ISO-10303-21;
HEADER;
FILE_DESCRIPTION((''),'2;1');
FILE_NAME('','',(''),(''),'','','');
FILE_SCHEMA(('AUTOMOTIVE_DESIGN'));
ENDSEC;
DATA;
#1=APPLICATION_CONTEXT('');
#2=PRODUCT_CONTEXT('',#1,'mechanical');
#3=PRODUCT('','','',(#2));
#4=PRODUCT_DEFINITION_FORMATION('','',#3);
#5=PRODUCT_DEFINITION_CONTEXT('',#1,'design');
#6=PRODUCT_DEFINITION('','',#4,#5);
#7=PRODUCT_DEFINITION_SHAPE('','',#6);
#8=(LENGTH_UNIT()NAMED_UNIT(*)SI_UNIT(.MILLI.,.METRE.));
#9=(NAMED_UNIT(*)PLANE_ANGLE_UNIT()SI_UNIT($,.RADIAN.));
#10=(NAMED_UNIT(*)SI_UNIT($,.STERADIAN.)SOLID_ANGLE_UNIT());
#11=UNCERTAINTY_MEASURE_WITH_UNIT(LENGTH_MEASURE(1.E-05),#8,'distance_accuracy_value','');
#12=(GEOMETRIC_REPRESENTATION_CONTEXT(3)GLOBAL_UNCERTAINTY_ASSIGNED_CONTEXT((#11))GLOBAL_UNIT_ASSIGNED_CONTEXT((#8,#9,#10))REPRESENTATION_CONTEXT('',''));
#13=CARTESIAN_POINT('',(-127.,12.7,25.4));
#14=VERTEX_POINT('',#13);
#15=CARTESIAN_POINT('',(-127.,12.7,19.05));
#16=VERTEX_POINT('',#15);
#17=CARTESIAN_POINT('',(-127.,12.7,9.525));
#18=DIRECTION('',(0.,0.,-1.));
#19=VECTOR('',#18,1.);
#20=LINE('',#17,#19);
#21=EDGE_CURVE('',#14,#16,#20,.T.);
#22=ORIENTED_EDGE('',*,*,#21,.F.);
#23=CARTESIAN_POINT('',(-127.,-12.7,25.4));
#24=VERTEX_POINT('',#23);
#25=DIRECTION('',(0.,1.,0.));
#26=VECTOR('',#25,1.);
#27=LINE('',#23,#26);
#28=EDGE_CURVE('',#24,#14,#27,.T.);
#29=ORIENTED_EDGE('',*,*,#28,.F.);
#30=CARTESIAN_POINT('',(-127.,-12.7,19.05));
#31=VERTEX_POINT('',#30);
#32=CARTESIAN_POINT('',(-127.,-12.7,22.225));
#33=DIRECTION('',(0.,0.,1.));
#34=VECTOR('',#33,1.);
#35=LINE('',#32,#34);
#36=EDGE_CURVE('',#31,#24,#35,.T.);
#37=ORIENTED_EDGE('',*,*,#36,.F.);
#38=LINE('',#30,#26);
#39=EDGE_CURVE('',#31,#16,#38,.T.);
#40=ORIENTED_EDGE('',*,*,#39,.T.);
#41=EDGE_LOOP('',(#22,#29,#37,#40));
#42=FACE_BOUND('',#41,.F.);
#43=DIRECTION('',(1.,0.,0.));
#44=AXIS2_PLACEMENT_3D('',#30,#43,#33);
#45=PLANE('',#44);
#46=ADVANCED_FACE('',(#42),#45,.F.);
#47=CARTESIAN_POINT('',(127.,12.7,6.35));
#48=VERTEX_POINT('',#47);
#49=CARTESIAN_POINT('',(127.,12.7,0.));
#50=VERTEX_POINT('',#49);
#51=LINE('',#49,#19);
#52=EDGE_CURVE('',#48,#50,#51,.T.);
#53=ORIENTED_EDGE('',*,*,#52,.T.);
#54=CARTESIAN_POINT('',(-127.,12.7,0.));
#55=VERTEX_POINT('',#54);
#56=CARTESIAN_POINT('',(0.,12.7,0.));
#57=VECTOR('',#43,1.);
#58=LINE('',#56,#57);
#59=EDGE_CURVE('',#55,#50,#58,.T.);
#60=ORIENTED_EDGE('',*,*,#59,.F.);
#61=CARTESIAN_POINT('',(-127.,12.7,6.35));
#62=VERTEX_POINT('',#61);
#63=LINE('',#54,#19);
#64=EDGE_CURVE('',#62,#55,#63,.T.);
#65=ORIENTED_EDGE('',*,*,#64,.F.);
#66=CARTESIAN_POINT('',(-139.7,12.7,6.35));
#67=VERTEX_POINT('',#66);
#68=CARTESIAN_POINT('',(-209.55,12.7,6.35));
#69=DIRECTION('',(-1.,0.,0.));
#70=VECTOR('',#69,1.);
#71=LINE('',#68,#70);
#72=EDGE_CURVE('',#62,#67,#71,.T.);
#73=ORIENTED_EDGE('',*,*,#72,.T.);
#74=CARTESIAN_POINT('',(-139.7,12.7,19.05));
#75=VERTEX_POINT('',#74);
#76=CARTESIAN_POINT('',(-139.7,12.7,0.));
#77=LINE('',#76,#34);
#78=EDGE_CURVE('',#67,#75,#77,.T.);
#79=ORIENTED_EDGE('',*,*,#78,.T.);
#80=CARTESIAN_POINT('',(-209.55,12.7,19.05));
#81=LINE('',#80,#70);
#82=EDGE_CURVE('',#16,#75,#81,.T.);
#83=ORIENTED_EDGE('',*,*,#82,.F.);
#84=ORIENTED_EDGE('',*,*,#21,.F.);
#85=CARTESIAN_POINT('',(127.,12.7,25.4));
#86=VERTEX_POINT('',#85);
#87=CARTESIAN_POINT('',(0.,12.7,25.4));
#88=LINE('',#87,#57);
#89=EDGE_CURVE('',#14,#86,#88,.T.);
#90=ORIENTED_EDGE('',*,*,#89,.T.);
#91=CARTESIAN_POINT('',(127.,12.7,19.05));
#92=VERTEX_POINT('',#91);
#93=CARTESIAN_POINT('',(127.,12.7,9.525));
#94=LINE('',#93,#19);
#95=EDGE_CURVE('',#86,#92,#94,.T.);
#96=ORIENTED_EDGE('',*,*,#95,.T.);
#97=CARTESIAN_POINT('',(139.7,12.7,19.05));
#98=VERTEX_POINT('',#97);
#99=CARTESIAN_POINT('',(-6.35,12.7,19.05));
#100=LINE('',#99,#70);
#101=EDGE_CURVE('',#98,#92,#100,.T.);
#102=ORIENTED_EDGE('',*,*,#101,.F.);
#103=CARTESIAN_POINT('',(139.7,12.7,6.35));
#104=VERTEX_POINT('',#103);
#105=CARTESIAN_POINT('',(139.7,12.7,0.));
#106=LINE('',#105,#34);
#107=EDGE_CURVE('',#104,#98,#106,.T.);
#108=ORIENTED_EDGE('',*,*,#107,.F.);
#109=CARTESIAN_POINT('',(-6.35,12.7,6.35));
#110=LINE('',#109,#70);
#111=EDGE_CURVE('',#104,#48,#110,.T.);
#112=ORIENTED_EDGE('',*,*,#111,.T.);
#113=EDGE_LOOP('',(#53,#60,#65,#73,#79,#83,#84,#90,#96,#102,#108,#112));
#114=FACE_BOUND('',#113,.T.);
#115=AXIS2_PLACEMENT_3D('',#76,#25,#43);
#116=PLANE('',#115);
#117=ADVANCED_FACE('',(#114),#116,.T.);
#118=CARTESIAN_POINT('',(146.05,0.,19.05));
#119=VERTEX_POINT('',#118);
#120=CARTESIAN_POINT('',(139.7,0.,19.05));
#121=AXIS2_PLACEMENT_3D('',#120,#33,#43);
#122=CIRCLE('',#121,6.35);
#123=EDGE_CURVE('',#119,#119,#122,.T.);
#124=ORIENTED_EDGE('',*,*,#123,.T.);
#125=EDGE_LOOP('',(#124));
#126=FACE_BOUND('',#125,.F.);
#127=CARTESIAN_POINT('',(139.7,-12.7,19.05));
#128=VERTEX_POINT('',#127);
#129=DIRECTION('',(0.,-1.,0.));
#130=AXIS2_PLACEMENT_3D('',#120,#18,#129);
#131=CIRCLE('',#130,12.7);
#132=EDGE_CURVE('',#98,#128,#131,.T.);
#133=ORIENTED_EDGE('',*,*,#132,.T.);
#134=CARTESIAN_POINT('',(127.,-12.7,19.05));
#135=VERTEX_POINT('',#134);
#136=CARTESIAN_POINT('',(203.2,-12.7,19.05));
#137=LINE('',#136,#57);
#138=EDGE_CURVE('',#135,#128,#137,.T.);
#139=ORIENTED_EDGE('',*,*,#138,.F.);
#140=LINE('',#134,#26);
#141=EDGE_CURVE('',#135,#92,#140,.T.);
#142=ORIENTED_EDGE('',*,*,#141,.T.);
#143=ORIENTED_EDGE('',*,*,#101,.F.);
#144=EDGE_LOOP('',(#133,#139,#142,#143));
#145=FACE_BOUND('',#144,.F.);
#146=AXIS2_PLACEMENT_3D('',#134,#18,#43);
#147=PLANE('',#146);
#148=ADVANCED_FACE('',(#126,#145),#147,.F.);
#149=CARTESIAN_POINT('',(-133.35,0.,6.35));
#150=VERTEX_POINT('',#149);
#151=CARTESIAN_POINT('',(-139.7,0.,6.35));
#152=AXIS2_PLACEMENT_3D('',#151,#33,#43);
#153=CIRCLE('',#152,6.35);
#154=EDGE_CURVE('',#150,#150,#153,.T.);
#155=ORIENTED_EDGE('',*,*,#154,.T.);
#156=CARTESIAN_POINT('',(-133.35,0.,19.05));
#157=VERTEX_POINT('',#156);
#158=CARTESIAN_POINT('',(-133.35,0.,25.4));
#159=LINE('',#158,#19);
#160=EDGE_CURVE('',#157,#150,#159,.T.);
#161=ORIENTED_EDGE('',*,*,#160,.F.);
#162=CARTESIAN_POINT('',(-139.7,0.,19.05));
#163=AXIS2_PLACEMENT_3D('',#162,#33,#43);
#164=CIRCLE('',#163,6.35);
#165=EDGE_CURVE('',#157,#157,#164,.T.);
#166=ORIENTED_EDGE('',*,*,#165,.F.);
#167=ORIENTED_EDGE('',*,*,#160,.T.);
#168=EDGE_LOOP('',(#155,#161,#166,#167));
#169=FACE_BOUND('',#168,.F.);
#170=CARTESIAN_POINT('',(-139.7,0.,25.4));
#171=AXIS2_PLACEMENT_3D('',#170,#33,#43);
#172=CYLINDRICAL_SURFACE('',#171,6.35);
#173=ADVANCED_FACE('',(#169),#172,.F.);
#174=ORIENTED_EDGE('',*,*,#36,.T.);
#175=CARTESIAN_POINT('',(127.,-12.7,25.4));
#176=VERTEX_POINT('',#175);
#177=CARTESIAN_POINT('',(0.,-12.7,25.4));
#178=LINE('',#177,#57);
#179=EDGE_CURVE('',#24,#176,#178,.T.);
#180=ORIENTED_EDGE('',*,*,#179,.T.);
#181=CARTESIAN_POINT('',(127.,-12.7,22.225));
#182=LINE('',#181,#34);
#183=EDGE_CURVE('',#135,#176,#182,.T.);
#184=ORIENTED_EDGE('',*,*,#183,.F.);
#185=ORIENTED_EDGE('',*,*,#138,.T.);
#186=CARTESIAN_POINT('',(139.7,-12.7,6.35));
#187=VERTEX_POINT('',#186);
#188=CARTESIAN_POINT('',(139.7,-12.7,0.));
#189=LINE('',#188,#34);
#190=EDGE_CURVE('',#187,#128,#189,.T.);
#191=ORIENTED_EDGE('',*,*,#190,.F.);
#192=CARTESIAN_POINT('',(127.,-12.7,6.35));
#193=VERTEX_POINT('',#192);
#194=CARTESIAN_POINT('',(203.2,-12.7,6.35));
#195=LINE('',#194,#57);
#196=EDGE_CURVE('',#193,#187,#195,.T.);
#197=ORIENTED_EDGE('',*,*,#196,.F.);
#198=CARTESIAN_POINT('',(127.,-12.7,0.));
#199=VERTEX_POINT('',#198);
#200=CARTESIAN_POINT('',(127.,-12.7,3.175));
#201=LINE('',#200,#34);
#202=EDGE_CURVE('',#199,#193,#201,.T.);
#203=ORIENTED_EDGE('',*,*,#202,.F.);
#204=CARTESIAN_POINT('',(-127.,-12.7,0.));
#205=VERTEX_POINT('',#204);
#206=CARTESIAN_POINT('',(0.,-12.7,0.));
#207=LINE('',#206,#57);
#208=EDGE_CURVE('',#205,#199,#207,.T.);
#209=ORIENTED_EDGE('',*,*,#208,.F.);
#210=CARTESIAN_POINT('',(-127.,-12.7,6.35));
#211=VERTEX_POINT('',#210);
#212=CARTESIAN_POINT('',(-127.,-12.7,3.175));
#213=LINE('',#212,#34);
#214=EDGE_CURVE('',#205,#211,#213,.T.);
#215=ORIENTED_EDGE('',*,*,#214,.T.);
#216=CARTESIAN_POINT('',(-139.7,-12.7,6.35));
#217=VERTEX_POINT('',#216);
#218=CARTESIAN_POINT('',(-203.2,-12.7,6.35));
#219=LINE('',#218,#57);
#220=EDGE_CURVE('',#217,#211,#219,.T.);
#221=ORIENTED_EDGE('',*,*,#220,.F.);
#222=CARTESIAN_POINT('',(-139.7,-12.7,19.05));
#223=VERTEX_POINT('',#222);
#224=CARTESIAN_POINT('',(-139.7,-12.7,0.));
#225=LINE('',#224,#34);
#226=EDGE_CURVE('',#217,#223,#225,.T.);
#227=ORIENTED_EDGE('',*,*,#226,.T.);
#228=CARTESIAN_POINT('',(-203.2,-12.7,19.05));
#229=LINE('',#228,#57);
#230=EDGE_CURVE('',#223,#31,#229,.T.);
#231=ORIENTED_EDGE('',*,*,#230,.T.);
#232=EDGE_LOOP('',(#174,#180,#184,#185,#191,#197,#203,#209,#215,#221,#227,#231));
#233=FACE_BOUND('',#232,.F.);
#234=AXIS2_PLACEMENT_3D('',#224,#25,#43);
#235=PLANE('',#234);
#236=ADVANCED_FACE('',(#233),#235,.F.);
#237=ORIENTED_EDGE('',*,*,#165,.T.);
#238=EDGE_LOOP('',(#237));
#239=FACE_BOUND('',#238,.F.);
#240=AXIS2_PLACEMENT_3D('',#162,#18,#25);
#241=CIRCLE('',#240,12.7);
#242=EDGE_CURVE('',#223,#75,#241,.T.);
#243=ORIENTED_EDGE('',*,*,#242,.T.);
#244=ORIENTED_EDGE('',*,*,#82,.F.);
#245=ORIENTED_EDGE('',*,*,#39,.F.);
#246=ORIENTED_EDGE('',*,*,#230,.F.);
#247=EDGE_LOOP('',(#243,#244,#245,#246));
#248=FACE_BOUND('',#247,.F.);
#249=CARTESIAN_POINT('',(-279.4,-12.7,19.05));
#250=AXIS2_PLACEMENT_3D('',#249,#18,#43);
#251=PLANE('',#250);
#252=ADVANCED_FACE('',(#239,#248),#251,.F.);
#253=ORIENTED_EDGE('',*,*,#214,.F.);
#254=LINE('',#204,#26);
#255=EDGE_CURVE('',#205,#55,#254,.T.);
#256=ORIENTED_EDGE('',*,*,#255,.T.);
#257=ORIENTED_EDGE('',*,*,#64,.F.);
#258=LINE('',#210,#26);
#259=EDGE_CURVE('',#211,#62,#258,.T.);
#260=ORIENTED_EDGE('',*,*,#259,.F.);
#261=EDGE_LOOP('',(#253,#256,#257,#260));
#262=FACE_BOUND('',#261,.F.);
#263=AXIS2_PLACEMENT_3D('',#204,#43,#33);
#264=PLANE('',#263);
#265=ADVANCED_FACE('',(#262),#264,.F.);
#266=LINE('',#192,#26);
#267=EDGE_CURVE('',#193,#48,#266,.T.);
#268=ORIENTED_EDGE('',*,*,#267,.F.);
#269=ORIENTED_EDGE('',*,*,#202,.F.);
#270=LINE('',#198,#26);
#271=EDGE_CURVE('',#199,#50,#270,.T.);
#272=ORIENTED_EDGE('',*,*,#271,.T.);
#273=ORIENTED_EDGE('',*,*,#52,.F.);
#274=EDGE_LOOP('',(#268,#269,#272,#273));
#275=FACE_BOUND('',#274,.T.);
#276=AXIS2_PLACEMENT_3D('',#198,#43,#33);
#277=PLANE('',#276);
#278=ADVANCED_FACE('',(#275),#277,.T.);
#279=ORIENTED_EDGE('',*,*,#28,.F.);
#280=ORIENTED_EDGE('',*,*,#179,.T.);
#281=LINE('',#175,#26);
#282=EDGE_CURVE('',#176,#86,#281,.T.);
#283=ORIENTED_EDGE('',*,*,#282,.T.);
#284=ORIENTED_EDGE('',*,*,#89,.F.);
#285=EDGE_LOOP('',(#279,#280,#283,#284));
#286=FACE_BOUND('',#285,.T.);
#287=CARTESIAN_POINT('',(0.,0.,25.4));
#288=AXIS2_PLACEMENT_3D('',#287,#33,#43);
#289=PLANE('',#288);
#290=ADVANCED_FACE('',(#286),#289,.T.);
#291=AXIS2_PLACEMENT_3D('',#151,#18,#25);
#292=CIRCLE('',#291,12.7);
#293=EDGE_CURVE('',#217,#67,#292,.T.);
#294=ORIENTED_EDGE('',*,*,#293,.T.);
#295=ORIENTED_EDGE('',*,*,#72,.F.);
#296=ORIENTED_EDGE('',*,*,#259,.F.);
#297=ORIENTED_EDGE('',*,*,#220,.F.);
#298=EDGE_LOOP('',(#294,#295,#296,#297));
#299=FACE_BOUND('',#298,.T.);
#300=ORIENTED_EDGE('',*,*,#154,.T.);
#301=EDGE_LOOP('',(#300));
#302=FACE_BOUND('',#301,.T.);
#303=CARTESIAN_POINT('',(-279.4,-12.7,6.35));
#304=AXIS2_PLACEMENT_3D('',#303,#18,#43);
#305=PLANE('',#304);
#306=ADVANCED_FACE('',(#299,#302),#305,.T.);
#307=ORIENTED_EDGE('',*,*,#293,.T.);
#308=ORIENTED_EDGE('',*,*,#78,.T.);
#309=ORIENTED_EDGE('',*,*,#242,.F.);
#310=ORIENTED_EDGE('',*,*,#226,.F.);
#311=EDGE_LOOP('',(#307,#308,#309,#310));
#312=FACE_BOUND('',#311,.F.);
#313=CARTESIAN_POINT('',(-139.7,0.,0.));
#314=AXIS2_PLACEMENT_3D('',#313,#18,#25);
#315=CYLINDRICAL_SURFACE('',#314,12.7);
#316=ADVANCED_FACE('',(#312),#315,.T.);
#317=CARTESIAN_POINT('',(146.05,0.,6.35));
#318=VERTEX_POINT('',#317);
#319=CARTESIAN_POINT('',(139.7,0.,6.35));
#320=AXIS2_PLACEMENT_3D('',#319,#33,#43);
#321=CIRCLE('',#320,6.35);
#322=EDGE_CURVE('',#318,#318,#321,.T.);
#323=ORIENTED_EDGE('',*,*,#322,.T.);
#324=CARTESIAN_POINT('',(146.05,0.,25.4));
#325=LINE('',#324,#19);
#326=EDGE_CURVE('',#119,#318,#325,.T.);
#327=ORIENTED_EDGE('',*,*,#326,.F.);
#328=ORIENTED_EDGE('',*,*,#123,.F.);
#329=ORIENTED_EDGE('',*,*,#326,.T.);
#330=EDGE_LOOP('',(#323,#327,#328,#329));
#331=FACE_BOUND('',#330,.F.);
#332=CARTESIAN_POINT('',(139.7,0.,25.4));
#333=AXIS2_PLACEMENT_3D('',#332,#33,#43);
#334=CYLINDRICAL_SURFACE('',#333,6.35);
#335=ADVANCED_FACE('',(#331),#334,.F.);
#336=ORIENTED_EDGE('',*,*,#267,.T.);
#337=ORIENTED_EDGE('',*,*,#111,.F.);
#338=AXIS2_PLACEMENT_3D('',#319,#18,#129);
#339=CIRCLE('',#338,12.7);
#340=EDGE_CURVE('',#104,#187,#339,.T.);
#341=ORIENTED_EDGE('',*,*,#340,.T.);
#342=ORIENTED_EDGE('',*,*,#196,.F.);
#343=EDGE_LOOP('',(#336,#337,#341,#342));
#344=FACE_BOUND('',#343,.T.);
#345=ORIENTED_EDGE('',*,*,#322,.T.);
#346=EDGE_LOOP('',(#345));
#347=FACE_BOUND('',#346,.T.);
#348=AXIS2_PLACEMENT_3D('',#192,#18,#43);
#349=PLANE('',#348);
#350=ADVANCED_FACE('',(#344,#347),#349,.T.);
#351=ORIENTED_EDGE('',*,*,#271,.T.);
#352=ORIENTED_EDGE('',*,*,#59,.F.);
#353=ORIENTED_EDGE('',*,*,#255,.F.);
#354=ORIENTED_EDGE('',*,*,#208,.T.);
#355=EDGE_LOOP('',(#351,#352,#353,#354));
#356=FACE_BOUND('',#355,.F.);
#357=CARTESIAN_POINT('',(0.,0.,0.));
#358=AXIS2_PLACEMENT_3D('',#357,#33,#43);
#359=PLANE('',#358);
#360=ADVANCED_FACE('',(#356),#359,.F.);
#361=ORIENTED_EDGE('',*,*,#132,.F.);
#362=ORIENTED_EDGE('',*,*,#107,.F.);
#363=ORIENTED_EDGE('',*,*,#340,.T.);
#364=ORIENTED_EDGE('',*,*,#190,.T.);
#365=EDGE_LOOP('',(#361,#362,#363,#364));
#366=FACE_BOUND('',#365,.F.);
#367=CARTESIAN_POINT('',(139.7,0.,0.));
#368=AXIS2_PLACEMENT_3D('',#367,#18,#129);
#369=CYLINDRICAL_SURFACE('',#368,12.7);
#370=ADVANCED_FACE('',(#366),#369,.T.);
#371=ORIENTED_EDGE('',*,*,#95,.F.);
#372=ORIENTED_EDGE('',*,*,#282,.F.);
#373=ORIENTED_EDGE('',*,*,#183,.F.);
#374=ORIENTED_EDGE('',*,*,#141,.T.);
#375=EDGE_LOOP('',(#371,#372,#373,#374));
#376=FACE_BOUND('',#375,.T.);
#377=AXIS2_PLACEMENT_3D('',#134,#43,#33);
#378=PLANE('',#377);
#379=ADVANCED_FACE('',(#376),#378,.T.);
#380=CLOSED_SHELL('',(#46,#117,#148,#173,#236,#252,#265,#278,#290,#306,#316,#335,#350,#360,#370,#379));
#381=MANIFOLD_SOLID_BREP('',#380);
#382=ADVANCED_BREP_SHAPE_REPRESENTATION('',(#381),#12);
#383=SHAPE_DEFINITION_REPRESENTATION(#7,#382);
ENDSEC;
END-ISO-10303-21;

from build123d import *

# Parameters (mm, degrees)
F0_W     = 279.4
F0_H     = 25.4
F1_DEPTH = 25.4
F2_R     = 6.35
F3_DEPTH = 25.4
F4_W     = 152.4
F4_H     = 6.35
F5_DEPTH = 25.401


with BuildPart() as f1:
    # F0 (on Top) → F1 (new body)
    with BuildSketch(Plane.XY):
        Rectangle(F0_W, F0_H)
        with BuildLine():
            Line((139.7, 12.7), (139.7, -12.7))
            ThreePointArc((139.7, -12.7), (152.4, 0), (139.7, 12.7))
        make_face()
        with BuildLine():
            ThreePointArc((-139.7, 12.7), (-152.4, 0), (-139.7, -12.7))
            Line((-139.7, -12.7), (-139.7, 12.7))
        make_face()
    extrude(amount=F1_DEPTH)

    # F2 (on face) → F3 (cut, through all)
    with BuildSketch(Plane.XY.offset(25.4)):
        with Locations((-139.7, 0)):
            Circle(F2_R)
        with Locations((139.7, 0)):
            Circle(F2_R)
    extrude(amount=-F3_DEPTH, mode=Mode.SUBTRACT)

    # F4 (on face) → F5 (cut, through all)
    with BuildSketch(Plane.XZ.offset(12.7)):
        with Locations((-203.2, 22.225)):
            Rectangle(F4_W, F4_H)
        with Locations((-203.2, 3.175)):
            Rectangle(F4_W, F4_H)
        with Locations((203.2, 22.225)):
            Rectangle(F4_W, F4_H)
        with Locations((203.2, 3.175)):
            Rectangle(F4_W, F4_H)
    extrude(amount=-F5_DEPTH, mode=Mode.SUBTRACT)


solid = f1.part
